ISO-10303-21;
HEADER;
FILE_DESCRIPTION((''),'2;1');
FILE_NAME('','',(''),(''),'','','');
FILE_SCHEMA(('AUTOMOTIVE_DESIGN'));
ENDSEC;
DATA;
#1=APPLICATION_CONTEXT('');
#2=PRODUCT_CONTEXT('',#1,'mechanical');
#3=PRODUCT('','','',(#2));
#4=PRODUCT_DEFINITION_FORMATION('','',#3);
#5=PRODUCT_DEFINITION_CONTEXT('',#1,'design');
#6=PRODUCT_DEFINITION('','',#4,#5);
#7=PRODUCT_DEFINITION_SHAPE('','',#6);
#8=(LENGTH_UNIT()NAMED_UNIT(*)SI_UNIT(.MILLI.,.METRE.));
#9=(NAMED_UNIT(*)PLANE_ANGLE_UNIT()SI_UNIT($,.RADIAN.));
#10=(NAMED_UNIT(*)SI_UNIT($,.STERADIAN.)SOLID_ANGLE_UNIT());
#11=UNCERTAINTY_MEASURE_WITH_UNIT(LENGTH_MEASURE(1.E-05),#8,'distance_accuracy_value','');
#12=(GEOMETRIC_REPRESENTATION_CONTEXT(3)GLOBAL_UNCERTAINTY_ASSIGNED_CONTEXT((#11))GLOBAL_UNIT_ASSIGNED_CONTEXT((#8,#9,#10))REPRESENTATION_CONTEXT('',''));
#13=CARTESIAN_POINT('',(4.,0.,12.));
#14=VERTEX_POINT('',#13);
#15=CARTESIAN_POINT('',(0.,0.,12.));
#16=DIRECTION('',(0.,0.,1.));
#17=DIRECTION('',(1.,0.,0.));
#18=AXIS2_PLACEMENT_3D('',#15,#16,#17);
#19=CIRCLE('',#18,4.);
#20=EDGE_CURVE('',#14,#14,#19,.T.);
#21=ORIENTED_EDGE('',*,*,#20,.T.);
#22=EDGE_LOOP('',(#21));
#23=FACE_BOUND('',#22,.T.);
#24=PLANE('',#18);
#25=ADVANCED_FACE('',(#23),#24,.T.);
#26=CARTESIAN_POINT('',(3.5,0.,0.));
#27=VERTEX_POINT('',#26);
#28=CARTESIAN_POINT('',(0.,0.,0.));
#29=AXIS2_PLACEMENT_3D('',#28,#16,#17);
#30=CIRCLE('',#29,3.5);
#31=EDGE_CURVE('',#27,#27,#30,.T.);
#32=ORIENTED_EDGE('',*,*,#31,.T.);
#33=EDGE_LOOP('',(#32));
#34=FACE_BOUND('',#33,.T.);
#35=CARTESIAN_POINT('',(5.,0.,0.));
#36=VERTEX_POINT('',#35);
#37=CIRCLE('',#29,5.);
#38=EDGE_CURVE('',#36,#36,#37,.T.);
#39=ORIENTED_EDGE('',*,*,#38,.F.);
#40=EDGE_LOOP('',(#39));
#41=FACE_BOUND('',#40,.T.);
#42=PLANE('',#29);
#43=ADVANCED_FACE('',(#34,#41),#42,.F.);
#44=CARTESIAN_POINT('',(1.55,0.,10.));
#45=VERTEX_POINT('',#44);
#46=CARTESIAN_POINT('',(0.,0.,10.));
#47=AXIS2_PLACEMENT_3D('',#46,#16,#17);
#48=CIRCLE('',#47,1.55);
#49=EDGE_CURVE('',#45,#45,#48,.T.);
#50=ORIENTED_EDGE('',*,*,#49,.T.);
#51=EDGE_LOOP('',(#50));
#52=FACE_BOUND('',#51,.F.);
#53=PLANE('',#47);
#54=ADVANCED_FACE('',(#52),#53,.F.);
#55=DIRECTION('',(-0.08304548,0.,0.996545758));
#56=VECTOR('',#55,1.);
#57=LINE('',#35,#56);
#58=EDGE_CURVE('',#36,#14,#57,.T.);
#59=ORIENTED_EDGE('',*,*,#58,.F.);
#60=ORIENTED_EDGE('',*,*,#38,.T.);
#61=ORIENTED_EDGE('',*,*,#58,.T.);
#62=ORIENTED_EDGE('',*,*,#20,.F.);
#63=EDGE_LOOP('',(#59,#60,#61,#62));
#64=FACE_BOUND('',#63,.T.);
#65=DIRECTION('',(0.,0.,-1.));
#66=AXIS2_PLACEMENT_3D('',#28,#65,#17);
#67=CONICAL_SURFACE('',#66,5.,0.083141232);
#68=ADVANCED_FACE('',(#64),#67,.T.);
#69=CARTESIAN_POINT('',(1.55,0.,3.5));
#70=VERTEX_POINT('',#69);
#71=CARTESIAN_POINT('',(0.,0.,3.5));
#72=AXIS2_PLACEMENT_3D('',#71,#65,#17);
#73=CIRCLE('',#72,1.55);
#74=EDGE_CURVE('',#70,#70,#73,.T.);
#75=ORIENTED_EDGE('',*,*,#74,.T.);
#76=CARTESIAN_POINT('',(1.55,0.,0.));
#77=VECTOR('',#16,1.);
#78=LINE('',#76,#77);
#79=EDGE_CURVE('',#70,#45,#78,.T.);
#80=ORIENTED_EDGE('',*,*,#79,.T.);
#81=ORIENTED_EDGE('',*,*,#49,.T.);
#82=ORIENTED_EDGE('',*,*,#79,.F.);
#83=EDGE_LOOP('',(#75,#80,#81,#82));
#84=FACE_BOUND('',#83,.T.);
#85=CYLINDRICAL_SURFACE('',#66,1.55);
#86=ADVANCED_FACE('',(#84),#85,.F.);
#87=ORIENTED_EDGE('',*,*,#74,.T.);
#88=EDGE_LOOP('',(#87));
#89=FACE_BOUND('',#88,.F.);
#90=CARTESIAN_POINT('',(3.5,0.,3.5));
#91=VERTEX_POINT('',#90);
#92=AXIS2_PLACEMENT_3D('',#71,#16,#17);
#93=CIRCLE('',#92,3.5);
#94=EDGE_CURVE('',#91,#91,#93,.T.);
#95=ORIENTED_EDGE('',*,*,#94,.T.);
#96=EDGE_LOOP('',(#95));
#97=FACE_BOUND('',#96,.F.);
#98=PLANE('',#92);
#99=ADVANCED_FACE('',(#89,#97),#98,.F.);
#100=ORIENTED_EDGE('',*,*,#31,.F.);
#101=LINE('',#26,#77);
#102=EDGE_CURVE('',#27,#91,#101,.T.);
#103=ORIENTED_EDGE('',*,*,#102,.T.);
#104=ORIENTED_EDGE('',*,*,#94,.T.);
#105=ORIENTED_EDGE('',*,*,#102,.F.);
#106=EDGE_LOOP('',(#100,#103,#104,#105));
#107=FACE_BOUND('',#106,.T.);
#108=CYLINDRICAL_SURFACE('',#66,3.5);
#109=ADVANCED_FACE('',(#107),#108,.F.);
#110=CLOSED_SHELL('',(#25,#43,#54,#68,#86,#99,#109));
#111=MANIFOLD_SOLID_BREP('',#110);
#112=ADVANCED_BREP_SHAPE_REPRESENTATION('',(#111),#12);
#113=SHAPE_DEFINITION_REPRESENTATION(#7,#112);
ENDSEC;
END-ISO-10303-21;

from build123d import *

# Parameters (mm, degrees)
CYLINDER004_R     = 1.55
CYLINDER004_DEPTH = 10
CYLINDER003_R     = 3.5
CYLINDER003_DEPTH = 3.5


with BuildPart() as bolt_hole_cylinder:
    # Cylinder004 → Cylinder004 (new body)
    with BuildSketch(Plane.XY):
        Circle(CYLINDER004_R)
    extrude(amount=CYLINDER004_DEPTH)


with BuildPart() as hole_extraction:
    # Cylinder003 → Cylinder003 (new body)
    with BuildSketch(Plane.XY):
        Circle(CYLINDER003_R)
    extrude(amount=CYLINDER003_DEPTH)

    # Fusion003: union bolt hole cylinder
    add(bolt_hole_cylinder.part)


with BuildPart() as bolt_cover:
    # Cone → Cone (revolve)
    with BuildSketch(Plane.XZ):
        Polygon((0, 0), (5, 0), (4, 12), (0, 12), align=None)
    revolve(axis=Axis((0, 0, 0), (0, 0, 1)))

    # Cut001: cut hole extraction
    add(hole_extraction.part, mode=Mode.SUBTRACT)


solid = bolt_cover.part
